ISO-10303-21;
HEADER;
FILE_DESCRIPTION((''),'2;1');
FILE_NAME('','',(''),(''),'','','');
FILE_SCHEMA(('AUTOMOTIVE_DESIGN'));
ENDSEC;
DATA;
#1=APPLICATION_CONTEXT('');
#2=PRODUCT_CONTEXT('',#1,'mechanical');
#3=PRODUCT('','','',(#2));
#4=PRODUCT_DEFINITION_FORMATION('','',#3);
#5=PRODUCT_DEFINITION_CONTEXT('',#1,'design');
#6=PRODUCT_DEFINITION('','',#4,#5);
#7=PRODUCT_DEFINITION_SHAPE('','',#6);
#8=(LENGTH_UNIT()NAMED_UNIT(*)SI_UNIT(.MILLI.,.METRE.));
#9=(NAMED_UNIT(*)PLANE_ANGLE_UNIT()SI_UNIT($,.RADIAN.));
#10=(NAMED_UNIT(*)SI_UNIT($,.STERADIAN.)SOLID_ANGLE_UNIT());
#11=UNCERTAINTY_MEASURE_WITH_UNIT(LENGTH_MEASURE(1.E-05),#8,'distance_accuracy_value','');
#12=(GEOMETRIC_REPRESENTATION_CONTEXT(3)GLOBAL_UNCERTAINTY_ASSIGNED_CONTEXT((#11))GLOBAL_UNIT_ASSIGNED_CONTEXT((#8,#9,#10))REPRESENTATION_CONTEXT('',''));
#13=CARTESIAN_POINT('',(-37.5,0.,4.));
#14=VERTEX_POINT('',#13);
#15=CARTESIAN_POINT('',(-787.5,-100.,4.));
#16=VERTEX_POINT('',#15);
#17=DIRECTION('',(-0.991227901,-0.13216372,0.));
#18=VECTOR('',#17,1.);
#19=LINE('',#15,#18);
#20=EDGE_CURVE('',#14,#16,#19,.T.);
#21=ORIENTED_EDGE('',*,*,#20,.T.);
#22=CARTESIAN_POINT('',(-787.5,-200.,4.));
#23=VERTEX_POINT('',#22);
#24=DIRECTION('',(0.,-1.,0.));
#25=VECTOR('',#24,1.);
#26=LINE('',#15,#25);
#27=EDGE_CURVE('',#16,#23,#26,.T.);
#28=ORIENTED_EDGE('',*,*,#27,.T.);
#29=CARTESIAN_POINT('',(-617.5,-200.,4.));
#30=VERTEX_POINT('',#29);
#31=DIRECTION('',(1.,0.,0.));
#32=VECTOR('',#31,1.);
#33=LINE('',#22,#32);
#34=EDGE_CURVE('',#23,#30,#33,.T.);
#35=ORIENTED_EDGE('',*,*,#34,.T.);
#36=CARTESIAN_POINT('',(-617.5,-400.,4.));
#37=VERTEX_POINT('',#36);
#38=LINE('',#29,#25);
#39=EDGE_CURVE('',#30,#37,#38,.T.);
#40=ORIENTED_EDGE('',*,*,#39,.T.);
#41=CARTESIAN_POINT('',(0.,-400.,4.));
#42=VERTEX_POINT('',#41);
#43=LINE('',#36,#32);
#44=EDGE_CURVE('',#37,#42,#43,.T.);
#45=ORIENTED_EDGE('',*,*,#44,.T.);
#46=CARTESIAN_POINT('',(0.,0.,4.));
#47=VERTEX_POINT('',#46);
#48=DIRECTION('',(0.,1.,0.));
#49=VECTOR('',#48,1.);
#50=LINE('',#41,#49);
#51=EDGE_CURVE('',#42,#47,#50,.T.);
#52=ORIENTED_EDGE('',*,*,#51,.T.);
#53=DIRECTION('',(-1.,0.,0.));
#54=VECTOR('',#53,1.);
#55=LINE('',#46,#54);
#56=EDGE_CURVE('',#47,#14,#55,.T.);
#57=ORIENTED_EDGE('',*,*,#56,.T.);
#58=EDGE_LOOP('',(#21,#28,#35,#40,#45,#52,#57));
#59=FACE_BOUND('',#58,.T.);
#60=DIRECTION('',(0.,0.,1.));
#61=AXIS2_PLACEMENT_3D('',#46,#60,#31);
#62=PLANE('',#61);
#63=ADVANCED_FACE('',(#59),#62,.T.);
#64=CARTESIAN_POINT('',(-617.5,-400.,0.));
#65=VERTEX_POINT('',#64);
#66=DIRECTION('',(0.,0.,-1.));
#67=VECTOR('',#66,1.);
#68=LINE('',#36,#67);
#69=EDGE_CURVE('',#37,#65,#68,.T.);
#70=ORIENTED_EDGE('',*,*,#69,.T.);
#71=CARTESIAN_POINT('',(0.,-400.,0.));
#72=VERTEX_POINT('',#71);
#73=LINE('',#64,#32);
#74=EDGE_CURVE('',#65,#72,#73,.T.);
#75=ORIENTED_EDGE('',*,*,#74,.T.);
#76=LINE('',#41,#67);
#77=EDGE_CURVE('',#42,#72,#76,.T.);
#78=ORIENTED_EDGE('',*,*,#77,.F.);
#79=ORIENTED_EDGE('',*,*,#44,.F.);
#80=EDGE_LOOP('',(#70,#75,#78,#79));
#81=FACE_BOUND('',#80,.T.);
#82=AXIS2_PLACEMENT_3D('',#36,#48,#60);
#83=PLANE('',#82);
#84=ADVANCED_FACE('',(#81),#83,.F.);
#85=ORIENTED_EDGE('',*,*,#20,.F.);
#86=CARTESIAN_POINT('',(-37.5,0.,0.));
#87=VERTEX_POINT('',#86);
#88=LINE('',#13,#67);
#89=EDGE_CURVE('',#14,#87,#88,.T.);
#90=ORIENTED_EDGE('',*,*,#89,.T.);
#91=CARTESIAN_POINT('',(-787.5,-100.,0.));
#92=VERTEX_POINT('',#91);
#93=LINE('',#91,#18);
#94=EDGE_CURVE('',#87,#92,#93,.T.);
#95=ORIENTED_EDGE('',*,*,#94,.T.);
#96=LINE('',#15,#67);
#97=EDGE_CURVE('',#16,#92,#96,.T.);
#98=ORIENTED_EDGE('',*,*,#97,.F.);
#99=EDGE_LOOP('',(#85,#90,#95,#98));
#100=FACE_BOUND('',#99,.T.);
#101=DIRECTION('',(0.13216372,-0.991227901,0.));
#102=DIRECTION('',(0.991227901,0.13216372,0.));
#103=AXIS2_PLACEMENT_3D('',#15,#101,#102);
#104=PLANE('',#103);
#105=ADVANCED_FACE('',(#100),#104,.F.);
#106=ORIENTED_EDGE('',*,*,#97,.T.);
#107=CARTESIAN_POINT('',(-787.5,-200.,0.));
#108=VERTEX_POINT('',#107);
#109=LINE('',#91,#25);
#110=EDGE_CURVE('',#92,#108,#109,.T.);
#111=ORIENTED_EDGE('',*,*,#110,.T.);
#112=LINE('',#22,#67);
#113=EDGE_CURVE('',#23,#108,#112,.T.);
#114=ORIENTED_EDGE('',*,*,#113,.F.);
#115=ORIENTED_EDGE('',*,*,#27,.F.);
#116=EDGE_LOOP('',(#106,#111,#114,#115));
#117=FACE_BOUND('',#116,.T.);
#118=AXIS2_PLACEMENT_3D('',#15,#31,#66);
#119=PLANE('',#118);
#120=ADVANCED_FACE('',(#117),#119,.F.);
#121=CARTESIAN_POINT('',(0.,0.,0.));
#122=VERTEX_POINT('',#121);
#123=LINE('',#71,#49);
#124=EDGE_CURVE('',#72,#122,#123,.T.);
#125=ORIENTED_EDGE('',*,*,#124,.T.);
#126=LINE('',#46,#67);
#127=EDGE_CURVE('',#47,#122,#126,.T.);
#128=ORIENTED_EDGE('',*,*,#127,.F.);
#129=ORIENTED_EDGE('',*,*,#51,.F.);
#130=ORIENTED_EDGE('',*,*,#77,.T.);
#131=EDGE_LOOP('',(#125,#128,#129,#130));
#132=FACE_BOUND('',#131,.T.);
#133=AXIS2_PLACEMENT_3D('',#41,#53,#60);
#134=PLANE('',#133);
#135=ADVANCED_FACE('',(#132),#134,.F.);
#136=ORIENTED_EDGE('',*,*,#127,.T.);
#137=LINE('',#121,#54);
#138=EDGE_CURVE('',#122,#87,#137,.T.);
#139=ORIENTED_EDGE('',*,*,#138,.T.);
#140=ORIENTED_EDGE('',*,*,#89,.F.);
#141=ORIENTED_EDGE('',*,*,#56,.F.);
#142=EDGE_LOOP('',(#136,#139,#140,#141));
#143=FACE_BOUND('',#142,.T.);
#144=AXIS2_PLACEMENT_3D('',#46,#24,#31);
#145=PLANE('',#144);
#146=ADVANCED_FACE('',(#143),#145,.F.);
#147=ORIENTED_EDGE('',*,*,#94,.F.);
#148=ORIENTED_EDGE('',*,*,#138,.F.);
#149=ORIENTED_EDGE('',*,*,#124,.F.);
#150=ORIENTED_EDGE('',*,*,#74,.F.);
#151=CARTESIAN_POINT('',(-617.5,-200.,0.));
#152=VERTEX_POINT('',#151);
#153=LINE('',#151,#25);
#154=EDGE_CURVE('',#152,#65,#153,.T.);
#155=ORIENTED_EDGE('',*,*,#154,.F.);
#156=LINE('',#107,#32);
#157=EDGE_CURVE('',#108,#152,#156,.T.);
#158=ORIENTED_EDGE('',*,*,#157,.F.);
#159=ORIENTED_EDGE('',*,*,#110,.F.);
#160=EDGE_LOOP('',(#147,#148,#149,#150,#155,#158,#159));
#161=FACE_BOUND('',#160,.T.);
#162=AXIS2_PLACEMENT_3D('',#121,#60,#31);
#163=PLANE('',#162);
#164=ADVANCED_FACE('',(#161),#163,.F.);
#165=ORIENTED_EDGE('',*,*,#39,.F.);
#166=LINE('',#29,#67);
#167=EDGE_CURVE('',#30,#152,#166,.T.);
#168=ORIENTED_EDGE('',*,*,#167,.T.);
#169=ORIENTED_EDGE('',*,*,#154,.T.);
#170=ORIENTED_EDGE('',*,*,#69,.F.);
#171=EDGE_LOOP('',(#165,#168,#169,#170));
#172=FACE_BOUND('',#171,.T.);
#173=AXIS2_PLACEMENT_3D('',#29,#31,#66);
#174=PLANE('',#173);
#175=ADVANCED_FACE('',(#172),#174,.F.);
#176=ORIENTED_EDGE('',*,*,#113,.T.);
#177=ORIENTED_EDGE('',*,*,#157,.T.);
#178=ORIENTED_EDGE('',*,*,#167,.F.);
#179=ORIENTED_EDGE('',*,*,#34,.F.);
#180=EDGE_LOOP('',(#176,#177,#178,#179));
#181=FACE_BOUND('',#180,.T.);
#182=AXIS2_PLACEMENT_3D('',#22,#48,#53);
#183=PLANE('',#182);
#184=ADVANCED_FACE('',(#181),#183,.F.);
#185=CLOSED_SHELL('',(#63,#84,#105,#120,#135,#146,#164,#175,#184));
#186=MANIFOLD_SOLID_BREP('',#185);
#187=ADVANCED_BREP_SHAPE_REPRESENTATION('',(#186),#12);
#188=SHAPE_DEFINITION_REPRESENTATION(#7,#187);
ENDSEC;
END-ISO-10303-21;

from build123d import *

# Parameters (mm, degrees)
BOSS_EXTRUDE1_DEPTH = 4


with BuildPart() as part:
    # Sketch1 → Boss-Extrude1 (new body)
    with BuildSketch(Plane.XY):
        Polygon((-787.5, -100), (-787.5, -200), (-617.5, -200), (-617.5, -400), (0, -400), (0, 0), (-37.5, 0), align=None)
    extrude(amount=BOSS_EXTRUDE1_DEPTH)


solid = part.part
